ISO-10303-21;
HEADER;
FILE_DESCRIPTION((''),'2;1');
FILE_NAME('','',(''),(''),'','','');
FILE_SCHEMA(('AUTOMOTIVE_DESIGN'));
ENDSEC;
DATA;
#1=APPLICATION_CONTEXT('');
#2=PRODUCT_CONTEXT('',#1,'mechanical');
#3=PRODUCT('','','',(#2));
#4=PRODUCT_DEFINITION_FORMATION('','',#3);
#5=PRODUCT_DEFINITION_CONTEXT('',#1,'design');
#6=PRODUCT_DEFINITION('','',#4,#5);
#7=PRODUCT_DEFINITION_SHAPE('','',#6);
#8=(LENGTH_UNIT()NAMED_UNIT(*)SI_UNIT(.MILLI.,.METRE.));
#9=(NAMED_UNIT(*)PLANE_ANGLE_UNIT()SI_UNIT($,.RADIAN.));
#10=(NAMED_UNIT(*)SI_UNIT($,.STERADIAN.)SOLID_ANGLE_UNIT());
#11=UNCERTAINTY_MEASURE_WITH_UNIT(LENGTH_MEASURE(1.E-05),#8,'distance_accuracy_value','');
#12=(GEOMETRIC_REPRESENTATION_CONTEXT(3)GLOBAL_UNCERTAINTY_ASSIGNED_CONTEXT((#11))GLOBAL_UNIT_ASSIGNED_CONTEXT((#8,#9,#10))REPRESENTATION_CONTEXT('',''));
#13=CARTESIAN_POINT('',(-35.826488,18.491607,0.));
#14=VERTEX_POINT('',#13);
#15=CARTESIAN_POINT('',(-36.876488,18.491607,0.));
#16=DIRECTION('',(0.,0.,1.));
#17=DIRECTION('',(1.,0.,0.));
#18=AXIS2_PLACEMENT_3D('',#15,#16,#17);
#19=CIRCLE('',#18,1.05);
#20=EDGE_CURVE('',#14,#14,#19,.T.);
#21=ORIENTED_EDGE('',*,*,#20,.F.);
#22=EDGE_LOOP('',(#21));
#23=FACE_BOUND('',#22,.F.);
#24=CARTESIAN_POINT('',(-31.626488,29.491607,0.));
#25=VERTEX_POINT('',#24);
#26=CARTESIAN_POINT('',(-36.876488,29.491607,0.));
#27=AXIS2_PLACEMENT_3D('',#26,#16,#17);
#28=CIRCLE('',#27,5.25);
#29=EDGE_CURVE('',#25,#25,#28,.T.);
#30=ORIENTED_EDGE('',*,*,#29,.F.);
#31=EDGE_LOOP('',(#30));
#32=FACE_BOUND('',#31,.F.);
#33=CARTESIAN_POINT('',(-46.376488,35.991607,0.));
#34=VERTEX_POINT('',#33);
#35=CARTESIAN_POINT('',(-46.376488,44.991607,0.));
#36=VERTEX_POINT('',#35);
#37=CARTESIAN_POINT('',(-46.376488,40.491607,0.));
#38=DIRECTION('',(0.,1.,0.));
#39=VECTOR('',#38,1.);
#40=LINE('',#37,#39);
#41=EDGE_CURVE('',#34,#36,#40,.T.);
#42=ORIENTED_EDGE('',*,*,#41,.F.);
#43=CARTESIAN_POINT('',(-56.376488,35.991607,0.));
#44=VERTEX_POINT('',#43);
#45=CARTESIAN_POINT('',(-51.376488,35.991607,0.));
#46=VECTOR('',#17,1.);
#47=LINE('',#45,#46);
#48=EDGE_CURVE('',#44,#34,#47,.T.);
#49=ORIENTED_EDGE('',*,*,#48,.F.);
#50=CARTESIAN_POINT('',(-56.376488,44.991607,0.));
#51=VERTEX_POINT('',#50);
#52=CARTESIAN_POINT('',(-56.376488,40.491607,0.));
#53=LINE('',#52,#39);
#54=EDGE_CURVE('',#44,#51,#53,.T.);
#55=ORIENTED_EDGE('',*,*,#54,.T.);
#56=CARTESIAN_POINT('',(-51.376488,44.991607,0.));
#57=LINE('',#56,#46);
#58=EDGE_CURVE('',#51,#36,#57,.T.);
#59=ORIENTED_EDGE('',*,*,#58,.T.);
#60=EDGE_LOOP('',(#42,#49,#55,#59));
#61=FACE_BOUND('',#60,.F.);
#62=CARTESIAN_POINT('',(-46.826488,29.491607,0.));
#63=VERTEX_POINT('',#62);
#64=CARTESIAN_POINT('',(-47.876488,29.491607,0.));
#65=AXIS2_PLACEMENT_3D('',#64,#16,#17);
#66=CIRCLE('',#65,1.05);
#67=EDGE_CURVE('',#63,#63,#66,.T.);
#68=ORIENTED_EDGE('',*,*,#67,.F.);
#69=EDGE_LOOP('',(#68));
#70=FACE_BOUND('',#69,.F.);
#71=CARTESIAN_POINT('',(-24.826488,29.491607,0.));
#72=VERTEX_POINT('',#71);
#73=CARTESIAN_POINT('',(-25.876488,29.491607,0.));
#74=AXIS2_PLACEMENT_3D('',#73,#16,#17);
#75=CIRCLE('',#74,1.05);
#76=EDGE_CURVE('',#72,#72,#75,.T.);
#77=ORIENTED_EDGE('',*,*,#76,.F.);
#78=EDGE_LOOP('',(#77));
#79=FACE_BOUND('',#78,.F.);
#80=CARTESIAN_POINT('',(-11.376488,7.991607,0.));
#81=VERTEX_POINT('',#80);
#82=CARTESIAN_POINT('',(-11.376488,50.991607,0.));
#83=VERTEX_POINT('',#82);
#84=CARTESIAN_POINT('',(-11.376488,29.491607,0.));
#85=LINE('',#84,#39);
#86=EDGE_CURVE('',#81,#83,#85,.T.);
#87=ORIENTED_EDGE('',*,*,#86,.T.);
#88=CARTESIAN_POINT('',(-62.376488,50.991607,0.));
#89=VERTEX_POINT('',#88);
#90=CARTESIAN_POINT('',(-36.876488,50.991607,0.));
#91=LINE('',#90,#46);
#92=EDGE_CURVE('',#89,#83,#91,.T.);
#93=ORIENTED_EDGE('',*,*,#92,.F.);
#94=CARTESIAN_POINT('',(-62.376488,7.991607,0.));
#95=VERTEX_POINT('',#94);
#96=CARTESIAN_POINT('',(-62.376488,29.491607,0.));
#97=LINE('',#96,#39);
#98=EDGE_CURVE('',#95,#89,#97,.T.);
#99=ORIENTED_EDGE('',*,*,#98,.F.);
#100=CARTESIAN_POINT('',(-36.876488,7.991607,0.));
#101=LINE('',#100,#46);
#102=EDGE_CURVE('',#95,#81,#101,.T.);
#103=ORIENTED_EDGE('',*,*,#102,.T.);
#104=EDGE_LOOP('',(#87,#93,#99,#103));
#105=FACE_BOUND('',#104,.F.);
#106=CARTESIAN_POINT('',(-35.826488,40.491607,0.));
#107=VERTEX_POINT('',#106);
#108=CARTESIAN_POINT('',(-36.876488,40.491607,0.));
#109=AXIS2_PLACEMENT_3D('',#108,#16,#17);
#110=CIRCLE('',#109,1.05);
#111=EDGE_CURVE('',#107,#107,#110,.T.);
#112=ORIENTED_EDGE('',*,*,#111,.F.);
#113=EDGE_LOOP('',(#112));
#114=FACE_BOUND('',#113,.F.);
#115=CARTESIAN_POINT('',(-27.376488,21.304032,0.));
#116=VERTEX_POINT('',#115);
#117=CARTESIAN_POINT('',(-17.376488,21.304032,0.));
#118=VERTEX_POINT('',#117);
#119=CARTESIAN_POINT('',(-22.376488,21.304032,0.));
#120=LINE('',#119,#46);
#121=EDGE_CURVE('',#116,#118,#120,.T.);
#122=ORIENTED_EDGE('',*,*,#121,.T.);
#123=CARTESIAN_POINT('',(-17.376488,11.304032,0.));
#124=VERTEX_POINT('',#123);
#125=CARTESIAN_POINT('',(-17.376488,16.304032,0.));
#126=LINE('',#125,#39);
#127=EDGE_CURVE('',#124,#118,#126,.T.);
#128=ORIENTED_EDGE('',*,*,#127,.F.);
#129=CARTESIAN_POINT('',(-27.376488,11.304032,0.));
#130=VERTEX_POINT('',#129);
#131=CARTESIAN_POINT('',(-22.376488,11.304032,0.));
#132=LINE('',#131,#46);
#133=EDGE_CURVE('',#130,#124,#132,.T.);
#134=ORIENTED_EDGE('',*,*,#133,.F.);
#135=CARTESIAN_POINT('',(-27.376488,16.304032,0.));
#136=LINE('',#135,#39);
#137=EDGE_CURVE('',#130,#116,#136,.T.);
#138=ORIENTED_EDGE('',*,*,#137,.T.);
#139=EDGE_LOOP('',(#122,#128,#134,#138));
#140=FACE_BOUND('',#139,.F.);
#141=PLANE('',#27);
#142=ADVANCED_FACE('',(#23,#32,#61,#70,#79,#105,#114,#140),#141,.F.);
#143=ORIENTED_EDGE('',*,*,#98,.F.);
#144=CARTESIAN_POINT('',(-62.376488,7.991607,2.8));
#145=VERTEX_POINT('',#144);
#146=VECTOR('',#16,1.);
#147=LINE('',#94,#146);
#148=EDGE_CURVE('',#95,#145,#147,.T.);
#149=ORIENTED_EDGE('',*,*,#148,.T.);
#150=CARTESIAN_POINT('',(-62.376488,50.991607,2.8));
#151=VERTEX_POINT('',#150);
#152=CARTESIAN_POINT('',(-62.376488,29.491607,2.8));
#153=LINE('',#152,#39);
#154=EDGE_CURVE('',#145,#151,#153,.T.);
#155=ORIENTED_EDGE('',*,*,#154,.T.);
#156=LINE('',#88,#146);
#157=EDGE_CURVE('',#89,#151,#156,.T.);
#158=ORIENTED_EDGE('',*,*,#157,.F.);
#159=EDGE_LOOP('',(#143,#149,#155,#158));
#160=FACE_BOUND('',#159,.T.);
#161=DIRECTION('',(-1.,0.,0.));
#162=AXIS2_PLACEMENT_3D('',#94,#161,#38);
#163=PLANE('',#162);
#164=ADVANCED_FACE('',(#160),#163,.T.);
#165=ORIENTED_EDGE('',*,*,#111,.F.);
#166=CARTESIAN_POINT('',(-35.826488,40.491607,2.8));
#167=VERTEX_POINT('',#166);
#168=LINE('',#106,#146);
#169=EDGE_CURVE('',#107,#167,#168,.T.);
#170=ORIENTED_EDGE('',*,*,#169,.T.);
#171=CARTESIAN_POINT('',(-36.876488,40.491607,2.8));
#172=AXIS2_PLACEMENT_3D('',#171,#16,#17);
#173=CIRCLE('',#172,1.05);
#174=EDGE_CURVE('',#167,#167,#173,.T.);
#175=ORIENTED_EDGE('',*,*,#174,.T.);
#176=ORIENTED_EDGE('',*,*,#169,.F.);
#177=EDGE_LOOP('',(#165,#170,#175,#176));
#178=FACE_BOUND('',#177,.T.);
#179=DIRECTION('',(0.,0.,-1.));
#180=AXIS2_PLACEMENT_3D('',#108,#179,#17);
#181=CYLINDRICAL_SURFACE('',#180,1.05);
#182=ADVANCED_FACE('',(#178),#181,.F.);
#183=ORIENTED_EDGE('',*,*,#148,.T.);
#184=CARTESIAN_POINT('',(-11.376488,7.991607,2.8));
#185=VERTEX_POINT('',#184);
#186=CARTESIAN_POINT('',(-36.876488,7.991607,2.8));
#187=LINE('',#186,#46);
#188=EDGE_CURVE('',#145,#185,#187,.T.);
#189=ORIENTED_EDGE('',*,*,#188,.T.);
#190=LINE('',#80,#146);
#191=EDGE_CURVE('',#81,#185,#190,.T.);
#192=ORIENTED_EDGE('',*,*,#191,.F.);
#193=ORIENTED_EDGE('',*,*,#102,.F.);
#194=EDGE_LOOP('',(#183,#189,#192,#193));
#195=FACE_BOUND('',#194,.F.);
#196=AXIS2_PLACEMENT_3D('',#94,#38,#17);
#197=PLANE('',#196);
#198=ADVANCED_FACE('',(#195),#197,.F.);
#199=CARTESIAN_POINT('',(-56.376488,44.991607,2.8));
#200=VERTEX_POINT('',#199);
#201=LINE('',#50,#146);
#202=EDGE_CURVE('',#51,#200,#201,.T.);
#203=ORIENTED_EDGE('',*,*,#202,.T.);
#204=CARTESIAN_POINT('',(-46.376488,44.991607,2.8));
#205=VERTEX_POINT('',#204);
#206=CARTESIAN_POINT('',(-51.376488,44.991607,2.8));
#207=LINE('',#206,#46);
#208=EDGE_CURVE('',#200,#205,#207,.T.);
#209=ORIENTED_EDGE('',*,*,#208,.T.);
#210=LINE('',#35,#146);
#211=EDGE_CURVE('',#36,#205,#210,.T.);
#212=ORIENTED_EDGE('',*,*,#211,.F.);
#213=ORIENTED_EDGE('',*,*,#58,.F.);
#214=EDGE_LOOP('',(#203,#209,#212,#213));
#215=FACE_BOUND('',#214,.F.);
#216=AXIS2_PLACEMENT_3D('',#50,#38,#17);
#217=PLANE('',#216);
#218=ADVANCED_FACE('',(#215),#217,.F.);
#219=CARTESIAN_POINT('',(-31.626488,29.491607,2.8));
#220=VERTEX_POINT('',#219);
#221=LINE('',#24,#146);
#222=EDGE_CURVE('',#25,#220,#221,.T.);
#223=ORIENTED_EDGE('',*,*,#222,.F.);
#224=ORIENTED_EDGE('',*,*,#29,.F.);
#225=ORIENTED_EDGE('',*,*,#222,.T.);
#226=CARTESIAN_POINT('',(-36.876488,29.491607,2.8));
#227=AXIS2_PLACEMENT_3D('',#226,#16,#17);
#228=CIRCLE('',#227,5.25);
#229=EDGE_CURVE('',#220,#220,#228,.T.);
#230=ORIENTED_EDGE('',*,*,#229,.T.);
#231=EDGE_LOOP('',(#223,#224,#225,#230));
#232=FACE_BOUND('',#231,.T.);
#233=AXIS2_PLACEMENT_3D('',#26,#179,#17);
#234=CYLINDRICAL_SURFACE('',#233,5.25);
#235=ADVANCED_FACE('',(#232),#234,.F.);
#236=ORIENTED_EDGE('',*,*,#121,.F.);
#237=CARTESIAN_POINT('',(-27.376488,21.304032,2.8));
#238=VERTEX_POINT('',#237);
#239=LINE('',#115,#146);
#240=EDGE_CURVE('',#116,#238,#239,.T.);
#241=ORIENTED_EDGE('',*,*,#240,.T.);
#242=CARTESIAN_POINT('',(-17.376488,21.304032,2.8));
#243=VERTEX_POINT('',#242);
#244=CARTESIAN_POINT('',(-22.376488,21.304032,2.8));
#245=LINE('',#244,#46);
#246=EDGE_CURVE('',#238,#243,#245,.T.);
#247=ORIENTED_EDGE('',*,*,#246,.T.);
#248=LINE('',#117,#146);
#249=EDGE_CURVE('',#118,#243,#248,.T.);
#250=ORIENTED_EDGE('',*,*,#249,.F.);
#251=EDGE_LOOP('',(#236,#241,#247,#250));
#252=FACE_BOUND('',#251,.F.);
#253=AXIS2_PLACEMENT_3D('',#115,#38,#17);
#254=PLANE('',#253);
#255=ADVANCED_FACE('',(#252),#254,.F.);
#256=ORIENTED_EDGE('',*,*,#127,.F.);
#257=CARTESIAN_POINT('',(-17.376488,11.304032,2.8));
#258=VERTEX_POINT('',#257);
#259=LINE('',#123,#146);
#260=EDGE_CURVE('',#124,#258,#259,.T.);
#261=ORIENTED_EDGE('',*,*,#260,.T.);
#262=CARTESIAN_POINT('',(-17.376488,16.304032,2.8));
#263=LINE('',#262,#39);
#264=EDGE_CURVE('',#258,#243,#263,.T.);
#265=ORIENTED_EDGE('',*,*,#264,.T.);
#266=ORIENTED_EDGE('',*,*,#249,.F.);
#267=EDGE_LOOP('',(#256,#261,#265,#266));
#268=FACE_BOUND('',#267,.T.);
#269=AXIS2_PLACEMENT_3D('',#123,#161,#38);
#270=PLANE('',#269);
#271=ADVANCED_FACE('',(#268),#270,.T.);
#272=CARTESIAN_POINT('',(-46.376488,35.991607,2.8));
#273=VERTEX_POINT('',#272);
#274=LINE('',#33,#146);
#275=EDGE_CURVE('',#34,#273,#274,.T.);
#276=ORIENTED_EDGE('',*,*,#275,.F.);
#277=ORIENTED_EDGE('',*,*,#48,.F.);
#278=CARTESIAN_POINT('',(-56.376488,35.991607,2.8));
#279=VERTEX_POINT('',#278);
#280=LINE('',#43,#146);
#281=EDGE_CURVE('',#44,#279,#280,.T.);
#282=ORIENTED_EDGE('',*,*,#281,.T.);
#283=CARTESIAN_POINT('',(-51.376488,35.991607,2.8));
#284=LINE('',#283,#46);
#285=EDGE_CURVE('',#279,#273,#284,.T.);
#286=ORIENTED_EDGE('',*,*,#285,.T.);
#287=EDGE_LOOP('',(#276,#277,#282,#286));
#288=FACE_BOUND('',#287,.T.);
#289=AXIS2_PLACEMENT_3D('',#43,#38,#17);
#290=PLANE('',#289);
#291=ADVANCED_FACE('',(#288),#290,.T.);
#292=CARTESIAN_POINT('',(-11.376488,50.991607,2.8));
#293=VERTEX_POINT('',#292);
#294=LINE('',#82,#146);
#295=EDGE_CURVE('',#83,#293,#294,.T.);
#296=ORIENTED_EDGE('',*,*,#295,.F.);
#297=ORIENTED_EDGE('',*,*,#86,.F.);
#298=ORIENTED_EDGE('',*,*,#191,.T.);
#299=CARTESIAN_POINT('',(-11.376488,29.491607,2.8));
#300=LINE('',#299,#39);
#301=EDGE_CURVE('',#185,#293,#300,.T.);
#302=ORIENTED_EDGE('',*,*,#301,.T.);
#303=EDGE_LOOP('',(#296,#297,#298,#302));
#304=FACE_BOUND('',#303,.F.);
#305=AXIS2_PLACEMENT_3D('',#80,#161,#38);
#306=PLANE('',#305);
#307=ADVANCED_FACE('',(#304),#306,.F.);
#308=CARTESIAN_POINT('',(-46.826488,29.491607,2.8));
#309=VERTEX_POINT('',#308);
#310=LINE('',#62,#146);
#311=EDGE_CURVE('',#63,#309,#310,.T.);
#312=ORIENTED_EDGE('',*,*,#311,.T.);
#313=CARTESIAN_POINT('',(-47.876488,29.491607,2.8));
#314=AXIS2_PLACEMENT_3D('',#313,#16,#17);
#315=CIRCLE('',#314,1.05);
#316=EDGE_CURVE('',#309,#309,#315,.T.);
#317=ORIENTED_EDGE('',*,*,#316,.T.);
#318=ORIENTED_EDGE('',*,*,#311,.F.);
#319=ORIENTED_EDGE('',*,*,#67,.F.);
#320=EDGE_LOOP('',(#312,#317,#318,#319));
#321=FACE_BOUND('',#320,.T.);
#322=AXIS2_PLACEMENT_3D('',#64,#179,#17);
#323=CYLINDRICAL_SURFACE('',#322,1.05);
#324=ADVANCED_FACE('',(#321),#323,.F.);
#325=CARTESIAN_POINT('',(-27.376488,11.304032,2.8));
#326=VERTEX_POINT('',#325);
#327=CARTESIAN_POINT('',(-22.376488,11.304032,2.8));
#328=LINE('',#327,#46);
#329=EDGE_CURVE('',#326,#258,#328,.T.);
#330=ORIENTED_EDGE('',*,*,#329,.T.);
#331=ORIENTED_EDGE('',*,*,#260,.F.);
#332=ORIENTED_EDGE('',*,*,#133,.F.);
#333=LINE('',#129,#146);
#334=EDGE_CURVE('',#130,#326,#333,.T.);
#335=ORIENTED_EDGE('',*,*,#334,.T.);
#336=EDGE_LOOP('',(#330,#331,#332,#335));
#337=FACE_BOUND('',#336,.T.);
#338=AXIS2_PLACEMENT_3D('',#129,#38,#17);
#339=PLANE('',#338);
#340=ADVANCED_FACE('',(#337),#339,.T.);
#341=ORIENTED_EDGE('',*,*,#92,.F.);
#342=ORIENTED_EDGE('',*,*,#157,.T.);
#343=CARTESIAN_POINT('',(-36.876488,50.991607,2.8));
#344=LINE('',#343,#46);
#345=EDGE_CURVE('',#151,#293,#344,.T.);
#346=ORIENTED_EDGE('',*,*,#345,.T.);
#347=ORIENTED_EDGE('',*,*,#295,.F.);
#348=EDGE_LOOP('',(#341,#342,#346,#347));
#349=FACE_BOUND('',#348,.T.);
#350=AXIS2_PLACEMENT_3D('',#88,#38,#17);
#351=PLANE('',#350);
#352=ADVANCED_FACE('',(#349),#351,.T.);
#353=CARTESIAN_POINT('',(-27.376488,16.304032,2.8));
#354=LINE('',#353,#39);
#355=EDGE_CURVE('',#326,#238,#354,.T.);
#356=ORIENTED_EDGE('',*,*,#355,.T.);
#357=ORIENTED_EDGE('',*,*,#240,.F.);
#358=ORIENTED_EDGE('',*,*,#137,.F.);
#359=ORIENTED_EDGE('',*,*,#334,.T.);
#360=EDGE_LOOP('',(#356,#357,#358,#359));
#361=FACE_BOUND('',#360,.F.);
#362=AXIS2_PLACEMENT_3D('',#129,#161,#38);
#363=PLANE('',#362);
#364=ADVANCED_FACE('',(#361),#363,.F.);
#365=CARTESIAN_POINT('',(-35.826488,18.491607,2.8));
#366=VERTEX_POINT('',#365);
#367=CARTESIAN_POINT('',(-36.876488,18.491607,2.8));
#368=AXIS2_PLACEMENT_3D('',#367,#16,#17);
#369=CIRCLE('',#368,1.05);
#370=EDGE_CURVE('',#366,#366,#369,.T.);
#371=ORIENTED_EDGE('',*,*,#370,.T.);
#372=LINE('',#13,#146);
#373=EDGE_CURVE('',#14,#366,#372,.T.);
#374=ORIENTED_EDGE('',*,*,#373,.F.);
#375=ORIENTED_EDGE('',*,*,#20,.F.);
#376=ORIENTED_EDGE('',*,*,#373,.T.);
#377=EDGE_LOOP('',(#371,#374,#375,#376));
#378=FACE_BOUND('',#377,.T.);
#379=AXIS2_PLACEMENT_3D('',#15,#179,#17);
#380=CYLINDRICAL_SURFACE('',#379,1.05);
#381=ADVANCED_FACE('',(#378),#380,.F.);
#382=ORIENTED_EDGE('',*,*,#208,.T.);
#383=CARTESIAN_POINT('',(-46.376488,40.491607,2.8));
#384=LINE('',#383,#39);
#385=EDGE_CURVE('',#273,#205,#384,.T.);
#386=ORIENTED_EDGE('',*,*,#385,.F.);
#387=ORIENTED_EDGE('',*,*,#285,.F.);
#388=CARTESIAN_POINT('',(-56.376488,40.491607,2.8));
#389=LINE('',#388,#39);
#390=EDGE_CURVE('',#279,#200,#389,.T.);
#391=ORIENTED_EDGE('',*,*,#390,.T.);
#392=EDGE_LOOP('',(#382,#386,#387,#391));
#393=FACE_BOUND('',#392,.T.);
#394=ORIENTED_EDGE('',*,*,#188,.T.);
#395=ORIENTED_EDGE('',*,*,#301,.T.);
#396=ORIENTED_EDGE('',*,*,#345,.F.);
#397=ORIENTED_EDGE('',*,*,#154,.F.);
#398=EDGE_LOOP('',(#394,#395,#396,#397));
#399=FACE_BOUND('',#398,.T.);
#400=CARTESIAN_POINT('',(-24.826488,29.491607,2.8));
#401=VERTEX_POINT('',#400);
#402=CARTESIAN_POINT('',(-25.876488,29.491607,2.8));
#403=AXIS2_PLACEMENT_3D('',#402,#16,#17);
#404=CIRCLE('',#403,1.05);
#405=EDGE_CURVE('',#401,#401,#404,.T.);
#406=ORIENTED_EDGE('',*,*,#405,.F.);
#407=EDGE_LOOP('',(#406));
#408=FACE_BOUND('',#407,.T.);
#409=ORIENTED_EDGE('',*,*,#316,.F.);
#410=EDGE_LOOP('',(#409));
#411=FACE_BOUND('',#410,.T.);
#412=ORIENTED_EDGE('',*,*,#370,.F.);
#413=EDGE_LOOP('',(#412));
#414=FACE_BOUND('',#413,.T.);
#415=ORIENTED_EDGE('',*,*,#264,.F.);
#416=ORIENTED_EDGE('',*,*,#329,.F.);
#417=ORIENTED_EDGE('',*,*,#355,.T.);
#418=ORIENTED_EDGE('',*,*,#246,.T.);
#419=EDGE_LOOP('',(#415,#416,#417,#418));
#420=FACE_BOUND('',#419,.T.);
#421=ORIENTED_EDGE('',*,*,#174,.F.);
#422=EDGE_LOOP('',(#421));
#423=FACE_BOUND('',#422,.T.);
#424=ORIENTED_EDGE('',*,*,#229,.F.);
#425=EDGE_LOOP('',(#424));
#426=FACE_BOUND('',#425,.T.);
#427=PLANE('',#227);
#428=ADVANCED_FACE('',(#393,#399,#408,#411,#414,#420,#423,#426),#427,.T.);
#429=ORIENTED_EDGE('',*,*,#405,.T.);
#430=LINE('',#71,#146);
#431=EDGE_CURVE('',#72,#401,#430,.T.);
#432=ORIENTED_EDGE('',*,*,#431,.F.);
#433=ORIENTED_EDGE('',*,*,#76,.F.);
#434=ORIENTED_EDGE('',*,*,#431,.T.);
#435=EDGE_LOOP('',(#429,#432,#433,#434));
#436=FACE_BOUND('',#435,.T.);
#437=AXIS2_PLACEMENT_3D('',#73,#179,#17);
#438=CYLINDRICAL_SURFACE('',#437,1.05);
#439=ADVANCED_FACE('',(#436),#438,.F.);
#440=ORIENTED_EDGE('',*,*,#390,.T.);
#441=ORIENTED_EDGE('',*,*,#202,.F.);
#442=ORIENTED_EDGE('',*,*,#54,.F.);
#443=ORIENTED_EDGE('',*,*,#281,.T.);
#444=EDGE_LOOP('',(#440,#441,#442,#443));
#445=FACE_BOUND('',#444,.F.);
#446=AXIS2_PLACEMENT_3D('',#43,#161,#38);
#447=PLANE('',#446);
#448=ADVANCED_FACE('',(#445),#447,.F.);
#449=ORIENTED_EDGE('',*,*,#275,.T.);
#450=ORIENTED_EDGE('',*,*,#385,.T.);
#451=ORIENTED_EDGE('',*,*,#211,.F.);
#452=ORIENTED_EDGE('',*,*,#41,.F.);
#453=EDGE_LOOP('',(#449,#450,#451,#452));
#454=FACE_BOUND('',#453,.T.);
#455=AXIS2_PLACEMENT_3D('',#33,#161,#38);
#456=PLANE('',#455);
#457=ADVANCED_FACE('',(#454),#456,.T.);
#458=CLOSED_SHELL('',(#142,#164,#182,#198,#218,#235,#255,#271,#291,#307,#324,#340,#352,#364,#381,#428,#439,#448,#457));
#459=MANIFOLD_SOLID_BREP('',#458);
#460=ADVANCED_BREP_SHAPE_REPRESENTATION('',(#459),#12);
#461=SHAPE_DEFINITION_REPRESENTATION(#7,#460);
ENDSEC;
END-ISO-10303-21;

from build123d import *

# Parameters (mm, degrees)
F0_W     = 51
F0_H     = 43
F0_R     = 1.05
F0_W_2   = 10
F0_H_2   = 10
F0_R_2   = 5.25
F0_H_3   = 9
F1_DEPTH = 2.8


with BuildPart() as f1:
    # F0 (on Top) → F1 (new body)
    with BuildSketch(Plane.XY):
        with Locations((-36.876488, 29.491607)):
            Rectangle(F0_W, F0_H)
        with Locations((-47.876488, 29.491607)):
            Circle(F0_R, mode=Mode.SUBTRACT)
        with Locations((-36.876488, 18.491607)):
            Circle(F0_R, mode=Mode.SUBTRACT)
        with Locations((-22.376488, 16.304032)):
            Rectangle(F0_W_2, F0_H_2, mode=Mode.SUBTRACT)
        with Locations((-36.876488, 29.491607)):
            Circle(F0_R_2, mode=Mode.SUBTRACT)
        with Locations((-25.876488, 29.491607)):
            Circle(F0_R, mode=Mode.SUBTRACT)
        with Locations((-51.376488, 40.491607)):
            Rectangle(F0_W_2, F0_H_3, mode=Mode.SUBTRACT)
        with Locations((-36.876488, 40.491607)):
            Circle(F0_R, mode=Mode.SUBTRACT)
    extrude(amount=F1_DEPTH)


solid = f1.part
